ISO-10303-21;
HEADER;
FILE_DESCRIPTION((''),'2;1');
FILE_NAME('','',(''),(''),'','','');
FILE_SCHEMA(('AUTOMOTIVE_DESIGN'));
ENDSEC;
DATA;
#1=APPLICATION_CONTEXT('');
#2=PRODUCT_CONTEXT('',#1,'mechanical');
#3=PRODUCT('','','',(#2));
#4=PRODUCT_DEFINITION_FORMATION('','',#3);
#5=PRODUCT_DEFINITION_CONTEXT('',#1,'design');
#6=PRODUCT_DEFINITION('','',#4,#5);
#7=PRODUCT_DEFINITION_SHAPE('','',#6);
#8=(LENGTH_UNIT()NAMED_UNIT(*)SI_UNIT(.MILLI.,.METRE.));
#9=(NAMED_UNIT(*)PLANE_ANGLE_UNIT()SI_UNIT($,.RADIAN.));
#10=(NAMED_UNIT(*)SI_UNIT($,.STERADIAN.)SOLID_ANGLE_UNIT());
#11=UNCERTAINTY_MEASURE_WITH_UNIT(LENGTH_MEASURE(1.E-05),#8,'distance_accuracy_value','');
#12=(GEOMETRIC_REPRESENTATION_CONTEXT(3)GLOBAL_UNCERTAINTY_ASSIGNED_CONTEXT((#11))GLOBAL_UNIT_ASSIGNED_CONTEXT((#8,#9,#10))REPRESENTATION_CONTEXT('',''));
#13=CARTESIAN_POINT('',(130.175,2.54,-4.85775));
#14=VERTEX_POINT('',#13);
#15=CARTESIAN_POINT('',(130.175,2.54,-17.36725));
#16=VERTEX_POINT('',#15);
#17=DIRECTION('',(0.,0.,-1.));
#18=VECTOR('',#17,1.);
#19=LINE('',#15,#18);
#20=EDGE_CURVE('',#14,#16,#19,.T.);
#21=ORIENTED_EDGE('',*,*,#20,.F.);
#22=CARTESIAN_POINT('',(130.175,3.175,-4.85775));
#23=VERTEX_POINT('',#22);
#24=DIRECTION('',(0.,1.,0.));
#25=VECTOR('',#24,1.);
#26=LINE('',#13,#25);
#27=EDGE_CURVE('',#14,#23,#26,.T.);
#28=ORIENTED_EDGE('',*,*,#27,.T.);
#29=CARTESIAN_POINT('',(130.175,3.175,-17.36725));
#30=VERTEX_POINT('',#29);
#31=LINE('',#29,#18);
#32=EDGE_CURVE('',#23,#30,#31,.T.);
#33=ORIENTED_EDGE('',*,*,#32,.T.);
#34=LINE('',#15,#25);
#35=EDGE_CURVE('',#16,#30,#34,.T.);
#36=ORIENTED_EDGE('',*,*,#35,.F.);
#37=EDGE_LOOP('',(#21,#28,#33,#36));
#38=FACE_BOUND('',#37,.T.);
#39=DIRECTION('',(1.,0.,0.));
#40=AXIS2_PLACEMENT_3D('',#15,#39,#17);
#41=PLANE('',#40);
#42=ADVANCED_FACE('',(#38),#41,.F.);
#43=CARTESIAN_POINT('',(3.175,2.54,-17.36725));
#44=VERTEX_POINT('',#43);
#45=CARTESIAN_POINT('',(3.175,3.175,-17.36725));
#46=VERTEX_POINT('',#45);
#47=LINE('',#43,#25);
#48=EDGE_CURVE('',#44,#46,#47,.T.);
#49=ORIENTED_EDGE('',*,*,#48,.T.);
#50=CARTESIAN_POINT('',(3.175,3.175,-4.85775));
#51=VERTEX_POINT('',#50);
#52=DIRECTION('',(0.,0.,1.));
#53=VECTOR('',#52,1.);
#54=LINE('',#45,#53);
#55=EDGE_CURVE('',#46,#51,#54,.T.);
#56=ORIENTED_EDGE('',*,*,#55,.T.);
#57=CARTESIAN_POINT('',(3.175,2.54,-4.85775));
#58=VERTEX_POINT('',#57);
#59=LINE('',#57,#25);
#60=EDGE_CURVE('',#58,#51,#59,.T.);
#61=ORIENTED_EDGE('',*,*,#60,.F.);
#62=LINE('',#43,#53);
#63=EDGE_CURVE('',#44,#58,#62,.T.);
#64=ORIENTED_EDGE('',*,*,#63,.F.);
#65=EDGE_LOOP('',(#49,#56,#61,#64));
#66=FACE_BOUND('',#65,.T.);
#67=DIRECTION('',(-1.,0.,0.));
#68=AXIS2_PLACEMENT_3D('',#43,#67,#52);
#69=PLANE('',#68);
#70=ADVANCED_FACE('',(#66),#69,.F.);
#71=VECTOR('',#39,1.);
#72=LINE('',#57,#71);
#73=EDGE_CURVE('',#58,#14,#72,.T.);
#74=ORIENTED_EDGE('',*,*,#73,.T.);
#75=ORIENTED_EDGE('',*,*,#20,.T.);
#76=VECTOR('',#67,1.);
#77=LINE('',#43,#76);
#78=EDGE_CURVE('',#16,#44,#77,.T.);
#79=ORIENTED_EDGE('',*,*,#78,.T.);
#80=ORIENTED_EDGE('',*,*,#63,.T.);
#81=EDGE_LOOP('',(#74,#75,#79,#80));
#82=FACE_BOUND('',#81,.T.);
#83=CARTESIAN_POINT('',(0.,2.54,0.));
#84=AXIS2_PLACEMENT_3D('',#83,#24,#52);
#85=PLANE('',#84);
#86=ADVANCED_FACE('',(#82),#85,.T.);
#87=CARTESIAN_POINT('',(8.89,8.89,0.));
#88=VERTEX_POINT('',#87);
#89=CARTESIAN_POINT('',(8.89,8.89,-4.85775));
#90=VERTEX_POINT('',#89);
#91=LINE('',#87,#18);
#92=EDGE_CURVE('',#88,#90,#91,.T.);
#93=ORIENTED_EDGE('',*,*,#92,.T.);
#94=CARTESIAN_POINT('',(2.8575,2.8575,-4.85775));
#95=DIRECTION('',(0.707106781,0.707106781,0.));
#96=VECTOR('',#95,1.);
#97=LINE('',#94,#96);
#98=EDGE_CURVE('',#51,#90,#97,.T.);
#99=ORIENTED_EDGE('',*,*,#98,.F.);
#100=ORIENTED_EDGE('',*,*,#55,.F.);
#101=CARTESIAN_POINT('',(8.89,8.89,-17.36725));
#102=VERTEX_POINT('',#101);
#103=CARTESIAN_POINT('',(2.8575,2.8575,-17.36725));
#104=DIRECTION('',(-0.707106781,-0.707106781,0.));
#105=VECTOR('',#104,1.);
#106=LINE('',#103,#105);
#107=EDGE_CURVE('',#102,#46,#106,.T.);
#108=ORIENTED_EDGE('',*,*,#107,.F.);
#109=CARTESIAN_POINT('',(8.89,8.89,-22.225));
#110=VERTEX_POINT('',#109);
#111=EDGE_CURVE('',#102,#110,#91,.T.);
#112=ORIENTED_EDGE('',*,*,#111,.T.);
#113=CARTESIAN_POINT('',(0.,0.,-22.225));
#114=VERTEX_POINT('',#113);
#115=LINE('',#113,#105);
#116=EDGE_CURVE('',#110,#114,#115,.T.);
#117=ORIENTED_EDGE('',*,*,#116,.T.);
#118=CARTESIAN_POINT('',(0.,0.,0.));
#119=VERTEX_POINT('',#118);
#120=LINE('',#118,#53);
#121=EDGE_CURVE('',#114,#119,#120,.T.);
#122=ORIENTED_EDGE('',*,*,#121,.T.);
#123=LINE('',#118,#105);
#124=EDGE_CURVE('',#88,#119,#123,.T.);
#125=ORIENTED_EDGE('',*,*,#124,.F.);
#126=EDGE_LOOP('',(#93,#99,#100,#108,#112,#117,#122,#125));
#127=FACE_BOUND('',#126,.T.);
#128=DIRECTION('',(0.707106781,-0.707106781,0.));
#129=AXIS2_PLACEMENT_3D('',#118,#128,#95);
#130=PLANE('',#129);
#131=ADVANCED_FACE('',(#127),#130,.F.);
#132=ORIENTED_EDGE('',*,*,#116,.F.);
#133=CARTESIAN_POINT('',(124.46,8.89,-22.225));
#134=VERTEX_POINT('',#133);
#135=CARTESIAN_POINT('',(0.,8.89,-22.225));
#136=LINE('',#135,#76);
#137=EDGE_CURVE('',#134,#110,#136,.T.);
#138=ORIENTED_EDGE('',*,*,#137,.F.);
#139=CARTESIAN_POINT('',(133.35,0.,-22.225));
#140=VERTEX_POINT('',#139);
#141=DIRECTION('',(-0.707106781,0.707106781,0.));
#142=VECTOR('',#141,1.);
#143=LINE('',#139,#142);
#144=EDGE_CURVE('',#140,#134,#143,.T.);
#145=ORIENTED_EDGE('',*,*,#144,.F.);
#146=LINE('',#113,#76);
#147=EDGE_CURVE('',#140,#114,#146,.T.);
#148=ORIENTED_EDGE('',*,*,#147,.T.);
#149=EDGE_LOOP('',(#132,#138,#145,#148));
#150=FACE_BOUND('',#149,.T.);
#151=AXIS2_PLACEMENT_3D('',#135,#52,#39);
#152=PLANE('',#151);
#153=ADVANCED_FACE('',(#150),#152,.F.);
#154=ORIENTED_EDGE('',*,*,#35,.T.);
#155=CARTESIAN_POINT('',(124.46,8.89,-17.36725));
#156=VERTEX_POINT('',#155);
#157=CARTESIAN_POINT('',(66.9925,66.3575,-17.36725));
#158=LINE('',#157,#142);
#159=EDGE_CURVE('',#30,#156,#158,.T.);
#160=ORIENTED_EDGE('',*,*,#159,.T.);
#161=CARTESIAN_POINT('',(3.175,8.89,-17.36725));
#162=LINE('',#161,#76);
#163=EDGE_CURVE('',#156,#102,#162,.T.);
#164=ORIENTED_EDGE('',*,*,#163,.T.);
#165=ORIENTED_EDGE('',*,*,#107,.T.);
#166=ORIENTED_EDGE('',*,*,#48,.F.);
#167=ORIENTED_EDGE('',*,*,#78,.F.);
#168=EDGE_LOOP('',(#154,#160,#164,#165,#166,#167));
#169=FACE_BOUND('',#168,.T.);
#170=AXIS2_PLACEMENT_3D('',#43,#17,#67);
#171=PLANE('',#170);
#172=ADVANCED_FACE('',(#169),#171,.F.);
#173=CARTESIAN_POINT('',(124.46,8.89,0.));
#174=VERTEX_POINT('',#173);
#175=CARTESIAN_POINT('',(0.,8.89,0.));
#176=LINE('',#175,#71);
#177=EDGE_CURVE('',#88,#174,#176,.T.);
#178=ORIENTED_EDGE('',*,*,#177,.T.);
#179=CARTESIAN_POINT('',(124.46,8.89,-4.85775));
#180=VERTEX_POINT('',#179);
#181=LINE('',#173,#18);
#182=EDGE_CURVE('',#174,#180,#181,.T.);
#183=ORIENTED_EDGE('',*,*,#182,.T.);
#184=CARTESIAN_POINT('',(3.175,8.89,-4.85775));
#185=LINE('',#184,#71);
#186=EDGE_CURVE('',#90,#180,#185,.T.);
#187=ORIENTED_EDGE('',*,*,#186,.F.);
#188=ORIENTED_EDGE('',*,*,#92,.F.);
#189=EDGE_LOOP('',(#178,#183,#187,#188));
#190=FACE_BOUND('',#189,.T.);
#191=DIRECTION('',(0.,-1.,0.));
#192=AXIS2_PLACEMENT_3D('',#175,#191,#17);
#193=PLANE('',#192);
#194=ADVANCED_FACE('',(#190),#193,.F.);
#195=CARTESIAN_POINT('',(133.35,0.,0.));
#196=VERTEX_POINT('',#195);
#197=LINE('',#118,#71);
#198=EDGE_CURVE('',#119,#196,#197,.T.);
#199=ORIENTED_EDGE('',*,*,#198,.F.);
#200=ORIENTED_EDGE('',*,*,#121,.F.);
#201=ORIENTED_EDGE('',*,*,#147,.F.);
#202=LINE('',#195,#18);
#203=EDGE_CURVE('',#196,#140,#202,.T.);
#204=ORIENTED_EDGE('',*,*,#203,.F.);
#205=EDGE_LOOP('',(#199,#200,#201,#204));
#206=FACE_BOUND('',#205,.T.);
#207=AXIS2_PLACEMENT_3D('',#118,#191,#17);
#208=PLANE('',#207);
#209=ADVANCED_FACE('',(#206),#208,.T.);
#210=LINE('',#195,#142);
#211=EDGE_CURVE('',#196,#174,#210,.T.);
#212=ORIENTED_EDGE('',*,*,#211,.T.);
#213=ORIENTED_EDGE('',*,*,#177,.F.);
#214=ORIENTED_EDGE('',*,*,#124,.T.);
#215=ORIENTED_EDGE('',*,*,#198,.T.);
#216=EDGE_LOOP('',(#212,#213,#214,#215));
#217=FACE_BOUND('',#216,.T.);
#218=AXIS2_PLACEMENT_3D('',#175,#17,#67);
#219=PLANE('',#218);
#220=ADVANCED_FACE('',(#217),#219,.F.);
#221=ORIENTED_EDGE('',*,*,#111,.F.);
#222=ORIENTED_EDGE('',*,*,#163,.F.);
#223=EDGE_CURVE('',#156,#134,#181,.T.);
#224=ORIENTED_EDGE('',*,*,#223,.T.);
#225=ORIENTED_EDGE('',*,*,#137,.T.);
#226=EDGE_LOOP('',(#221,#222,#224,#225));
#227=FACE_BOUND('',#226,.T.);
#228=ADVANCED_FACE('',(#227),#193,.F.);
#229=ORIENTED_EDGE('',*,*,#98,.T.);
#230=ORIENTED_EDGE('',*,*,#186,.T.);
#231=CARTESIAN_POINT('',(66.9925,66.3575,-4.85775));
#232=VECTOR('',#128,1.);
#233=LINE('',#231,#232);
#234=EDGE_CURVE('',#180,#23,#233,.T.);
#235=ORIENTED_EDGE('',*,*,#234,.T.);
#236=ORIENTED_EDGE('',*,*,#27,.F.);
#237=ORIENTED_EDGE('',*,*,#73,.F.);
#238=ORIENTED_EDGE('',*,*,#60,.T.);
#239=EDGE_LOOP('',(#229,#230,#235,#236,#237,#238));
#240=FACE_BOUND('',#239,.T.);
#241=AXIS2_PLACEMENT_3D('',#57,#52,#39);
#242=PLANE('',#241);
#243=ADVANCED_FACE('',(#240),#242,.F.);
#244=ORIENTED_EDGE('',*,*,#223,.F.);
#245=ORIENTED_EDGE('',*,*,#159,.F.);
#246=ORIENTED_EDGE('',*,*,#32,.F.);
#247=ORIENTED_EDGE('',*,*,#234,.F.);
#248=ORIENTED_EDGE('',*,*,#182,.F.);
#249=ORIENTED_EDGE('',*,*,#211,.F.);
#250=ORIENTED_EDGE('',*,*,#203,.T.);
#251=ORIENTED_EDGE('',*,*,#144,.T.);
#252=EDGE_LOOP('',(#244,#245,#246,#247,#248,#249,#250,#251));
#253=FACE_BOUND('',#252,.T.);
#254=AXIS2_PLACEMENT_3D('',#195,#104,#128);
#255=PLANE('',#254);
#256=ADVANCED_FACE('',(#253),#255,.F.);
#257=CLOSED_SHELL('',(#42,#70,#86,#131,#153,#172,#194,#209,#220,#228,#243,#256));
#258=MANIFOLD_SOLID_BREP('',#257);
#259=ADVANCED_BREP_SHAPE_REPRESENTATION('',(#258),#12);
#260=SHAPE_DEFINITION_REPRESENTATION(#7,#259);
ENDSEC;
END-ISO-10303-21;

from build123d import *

# Parameters (mm, degrees)
SKETCH1_W          = 133.35
SKETCH1_H          = 22.225
BASE_EXTRUDE_DEPTH = 8.89
SKETCH3_W          = 127
SKETCH3_H          = 12.5095
PIECE_CUT_DEPTH    = 6.35
CORNER_CUT_DEPTH   = 136.481383315


with BuildPart() as part:
    # Sketch1 → Base Extrude (new body)
    with BuildSketch(Plane(origin=(0, 0, 0), x_dir=(1, 0, 0), z_dir=(0, 1, 0))):
        with Locations((66.675, 11.1125)):
            Rectangle(SKETCH1_W, SKETCH1_H)
    extrude(amount=BASE_EXTRUDE_DEPTH)

    # Sketch3 → Piece Cut (cut)
    with BuildSketch(Plane(origin=(0, 8.89, 0), x_dir=(1, 0, 0), z_dir=(0, 1, 0))):
        with Locations((66.675, 11.1125)):
            Rectangle(SKETCH3_W, SKETCH3_H)
    extrude(amount=-PIECE_CUT_DEPTH, mode=Mode.SUBTRACT)

    # Sketch4 → Corner Cut (cut, through all)
    with BuildSketch(Plane(origin=(0, 0, -22.225), x_dir=(-1, 0, 0), z_dir=(0, 0, -1))):
        Polygon((0, 0), (-8.89, 8.89), (0, 8.89), align=None)
        Polygon((-133.35, 8.89), (-124.46, 8.89), (-133.35, 0), align=None)
    extrude(amount=-CORNER_CUT_DEPTH, mode=Mode.SUBTRACT)


solid = part.part
